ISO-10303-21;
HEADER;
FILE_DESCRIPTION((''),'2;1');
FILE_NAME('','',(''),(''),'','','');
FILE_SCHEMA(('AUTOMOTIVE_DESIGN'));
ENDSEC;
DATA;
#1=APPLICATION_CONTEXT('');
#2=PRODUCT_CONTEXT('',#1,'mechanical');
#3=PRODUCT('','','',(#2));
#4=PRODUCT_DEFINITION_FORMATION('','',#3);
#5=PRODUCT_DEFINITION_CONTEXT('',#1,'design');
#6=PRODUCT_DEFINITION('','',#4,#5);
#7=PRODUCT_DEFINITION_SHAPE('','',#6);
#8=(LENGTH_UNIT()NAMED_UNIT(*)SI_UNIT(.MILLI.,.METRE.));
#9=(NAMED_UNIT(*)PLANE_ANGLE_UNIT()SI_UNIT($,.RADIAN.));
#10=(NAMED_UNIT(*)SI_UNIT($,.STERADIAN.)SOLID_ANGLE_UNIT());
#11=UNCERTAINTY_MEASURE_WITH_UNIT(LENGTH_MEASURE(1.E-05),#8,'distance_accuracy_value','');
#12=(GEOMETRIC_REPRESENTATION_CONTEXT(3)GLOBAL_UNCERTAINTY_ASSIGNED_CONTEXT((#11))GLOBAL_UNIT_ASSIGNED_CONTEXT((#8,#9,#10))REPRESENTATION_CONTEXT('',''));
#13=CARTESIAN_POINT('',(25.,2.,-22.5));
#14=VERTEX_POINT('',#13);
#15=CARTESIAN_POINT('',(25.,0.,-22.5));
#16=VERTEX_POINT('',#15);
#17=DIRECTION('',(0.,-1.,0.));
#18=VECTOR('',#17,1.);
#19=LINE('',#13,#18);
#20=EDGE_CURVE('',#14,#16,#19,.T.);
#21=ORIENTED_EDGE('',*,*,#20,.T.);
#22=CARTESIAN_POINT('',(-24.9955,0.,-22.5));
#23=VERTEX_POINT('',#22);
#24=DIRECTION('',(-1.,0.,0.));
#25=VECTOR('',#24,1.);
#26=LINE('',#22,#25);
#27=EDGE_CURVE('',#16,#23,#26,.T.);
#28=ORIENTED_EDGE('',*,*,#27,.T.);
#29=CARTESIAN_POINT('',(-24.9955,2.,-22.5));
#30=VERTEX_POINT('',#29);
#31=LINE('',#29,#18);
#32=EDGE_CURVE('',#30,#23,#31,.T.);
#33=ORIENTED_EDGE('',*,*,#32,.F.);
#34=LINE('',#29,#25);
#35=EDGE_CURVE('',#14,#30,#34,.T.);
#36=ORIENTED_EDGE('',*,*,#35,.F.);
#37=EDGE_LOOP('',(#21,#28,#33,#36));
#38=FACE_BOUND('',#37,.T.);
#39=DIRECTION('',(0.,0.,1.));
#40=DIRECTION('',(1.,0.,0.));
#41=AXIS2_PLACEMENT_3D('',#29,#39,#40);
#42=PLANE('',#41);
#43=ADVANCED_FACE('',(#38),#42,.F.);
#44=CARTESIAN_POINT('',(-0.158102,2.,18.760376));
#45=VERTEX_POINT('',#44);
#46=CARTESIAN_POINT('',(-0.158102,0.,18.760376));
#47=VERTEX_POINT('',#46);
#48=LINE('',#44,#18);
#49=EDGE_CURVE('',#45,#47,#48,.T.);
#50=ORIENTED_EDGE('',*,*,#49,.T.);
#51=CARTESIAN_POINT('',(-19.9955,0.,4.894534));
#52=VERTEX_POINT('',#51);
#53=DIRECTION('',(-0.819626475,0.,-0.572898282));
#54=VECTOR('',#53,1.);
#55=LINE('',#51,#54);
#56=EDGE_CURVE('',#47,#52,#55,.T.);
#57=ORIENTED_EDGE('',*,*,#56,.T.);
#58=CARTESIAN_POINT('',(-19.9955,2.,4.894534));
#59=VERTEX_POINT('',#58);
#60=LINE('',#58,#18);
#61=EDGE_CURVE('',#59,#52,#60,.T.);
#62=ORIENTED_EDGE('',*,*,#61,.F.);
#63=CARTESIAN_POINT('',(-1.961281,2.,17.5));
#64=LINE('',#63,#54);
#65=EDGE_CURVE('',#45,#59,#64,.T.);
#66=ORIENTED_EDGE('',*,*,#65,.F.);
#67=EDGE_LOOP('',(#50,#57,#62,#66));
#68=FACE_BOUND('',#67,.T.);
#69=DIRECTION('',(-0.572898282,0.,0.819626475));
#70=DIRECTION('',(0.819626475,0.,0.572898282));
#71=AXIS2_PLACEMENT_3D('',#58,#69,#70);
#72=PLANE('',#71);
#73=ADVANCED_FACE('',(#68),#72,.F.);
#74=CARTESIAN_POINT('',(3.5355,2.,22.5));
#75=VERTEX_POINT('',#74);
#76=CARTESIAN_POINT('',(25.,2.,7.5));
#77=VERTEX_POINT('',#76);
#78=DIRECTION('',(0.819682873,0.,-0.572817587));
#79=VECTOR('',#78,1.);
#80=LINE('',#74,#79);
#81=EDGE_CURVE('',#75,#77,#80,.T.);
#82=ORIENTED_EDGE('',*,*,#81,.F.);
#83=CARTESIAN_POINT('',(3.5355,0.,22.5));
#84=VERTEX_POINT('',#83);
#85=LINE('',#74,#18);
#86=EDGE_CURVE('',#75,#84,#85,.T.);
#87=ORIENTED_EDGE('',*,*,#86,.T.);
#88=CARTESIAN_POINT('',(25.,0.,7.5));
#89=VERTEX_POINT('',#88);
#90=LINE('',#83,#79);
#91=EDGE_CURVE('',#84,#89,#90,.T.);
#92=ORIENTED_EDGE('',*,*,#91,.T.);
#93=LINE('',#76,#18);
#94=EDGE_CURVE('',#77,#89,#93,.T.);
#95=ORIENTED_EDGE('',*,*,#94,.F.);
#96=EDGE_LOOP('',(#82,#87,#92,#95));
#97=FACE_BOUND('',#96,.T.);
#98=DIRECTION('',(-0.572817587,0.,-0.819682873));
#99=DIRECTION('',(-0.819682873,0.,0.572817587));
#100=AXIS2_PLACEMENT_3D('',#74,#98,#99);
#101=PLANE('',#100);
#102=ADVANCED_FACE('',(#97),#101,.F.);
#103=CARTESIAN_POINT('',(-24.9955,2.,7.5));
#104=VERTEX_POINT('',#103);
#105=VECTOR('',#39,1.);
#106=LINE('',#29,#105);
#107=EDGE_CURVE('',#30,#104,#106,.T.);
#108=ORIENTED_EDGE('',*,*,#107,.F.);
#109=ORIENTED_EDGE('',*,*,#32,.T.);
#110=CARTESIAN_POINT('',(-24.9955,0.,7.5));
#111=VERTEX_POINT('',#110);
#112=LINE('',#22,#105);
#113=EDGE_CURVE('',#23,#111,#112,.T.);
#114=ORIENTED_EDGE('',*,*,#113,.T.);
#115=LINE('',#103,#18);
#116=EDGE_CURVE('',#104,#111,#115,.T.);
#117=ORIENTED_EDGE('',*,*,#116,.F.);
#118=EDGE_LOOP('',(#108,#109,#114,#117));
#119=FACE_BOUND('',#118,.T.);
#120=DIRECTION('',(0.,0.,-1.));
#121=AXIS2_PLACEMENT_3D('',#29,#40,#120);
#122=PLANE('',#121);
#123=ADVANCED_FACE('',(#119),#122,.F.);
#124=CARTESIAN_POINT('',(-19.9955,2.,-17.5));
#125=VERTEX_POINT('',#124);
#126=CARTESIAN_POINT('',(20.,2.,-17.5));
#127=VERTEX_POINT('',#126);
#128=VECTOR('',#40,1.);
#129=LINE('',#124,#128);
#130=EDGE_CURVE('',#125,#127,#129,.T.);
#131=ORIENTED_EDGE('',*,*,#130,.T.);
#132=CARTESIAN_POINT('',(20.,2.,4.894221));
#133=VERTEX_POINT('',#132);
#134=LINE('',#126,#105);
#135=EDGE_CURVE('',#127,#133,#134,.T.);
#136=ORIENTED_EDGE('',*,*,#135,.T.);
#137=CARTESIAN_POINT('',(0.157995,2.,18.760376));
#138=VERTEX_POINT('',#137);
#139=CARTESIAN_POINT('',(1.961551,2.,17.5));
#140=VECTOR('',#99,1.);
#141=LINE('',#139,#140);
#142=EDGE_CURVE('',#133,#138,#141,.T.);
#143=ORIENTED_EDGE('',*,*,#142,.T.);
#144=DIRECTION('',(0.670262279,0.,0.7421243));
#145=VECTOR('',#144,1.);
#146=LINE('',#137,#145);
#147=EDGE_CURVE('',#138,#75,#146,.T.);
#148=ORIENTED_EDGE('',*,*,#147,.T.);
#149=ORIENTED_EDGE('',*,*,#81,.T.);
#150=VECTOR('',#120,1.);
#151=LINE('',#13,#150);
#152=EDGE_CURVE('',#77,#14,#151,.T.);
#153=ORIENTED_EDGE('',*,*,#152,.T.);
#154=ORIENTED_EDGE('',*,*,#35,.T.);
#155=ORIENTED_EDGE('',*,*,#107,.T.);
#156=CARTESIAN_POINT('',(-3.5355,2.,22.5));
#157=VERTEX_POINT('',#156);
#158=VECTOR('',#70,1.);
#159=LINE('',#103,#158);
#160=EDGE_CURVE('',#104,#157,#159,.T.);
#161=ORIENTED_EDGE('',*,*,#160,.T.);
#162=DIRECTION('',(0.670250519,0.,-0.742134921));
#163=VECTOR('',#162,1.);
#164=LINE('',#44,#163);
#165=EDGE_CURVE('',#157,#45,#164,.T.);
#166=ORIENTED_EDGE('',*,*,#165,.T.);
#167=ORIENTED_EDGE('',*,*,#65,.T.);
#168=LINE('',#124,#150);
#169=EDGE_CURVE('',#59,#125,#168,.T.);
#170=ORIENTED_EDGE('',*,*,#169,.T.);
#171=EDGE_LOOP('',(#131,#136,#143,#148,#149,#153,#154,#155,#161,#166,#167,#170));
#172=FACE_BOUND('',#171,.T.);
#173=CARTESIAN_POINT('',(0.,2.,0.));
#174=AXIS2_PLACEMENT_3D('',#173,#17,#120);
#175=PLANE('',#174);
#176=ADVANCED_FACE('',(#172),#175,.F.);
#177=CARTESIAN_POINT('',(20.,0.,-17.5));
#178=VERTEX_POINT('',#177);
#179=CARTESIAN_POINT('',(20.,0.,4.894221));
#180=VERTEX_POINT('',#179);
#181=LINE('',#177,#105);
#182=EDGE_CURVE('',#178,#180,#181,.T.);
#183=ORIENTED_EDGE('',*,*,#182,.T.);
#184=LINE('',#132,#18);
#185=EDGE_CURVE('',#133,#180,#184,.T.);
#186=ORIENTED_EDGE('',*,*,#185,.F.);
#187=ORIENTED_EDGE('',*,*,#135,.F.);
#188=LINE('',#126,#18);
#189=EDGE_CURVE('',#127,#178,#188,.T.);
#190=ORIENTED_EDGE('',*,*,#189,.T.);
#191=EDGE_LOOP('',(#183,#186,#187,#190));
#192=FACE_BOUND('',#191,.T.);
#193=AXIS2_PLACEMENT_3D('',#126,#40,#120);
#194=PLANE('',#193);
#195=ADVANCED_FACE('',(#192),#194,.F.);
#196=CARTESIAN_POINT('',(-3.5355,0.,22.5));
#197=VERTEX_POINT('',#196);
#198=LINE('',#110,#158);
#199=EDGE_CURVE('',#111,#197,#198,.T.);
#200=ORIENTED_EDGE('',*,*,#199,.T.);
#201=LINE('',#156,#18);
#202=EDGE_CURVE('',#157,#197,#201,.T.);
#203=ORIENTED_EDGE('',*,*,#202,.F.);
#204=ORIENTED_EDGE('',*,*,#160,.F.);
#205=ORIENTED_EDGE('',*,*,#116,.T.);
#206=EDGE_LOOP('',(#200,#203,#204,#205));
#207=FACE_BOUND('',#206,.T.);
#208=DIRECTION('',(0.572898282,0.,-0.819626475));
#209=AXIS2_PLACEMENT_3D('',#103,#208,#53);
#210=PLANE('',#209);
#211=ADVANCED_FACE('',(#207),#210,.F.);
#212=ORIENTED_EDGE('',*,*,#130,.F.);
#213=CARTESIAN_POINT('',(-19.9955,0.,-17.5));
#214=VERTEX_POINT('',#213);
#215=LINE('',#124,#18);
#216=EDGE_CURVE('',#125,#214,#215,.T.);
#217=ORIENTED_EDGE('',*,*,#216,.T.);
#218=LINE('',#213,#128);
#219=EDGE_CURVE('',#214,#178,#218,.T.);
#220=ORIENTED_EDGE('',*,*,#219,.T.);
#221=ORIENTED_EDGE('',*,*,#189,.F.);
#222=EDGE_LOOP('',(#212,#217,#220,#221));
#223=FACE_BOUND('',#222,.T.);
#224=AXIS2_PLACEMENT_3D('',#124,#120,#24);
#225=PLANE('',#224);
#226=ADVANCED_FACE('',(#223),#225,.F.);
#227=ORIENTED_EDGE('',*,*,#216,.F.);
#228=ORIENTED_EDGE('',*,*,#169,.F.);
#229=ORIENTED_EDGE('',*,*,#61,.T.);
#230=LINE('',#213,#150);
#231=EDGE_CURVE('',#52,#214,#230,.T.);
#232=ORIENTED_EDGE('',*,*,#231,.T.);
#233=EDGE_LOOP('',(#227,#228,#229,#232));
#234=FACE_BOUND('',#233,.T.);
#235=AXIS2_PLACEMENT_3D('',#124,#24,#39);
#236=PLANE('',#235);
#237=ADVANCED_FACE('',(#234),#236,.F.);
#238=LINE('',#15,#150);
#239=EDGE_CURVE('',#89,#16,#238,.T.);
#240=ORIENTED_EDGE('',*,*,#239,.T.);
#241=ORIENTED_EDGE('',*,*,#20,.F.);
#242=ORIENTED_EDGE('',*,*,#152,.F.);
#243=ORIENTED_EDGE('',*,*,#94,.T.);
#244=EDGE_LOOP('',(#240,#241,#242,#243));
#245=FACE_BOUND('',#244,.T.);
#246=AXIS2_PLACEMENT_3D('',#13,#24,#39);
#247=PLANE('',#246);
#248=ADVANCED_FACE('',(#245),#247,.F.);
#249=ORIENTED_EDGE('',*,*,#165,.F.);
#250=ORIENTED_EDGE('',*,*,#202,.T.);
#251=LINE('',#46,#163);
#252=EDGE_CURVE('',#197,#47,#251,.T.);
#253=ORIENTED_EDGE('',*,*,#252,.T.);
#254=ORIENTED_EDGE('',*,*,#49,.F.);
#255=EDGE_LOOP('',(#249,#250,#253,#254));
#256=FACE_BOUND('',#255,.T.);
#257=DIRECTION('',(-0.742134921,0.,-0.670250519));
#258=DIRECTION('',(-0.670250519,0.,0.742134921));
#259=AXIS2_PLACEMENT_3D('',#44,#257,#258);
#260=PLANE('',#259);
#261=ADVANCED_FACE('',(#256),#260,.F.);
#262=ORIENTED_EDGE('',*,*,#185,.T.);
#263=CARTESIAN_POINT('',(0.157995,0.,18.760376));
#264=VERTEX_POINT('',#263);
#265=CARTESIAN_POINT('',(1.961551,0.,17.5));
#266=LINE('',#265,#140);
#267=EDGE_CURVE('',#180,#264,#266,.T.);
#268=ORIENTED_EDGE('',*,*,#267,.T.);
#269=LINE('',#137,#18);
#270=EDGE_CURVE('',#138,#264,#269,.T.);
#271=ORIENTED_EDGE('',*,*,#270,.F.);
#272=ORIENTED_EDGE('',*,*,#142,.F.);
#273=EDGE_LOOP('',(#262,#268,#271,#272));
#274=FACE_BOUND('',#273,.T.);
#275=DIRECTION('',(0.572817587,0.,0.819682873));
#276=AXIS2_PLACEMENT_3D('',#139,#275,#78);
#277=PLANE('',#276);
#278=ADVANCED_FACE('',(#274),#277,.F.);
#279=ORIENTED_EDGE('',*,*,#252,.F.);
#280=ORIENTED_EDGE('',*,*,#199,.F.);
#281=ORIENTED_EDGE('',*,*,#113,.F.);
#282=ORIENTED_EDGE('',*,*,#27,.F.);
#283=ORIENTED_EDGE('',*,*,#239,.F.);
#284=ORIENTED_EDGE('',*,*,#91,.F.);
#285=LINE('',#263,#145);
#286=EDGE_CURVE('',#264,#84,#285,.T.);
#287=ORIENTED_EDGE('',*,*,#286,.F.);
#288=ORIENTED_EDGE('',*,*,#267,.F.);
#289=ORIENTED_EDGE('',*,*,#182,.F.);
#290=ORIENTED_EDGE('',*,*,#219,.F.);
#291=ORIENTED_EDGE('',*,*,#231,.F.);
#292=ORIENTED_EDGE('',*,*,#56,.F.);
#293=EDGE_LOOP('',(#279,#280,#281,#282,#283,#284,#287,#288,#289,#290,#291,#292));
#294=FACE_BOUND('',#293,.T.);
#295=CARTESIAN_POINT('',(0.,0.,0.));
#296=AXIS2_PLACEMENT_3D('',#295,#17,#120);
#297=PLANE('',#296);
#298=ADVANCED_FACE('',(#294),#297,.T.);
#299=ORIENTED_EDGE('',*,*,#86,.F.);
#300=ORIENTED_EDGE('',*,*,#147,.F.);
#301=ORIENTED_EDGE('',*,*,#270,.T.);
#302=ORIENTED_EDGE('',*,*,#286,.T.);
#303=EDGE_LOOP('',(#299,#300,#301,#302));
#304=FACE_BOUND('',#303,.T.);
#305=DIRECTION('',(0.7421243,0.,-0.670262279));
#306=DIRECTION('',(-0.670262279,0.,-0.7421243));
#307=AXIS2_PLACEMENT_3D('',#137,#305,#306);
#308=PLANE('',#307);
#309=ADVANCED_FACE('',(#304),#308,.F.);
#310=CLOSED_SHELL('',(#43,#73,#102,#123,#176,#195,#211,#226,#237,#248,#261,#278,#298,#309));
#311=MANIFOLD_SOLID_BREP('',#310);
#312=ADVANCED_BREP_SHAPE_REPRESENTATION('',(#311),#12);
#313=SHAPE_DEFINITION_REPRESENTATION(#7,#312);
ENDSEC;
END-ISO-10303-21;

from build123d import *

# Parameters (mm, degrees)
BOSS_EXTRUDE1_DEPTH = 2


with BuildPart() as part:
    # Sketch2 → Boss-Extrude1 (new body)
    with BuildSketch(Plane(origin=(0, 0, 0), x_dir=(1, 0, 0), z_dir=(0, 1, 0))):
        Polygon((-24.9955, 22.5), (25, 22.5), (25, -7.5), (3.5355, -22.5), (0.157994699, -18.76037622), (1.961551057, -17.5), (20, -4.894221429), (20, 17.5), (-19.9955, 17.5), (-19.9955, -4.894534394), (-1.961280539, -17.5), (-0.158102294, -18.76037622), (-3.5355, -22.5), (-24.9955, -7.5), align=None)
    extrude(amount=BOSS_EXTRUDE1_DEPTH)


solid = part.part
